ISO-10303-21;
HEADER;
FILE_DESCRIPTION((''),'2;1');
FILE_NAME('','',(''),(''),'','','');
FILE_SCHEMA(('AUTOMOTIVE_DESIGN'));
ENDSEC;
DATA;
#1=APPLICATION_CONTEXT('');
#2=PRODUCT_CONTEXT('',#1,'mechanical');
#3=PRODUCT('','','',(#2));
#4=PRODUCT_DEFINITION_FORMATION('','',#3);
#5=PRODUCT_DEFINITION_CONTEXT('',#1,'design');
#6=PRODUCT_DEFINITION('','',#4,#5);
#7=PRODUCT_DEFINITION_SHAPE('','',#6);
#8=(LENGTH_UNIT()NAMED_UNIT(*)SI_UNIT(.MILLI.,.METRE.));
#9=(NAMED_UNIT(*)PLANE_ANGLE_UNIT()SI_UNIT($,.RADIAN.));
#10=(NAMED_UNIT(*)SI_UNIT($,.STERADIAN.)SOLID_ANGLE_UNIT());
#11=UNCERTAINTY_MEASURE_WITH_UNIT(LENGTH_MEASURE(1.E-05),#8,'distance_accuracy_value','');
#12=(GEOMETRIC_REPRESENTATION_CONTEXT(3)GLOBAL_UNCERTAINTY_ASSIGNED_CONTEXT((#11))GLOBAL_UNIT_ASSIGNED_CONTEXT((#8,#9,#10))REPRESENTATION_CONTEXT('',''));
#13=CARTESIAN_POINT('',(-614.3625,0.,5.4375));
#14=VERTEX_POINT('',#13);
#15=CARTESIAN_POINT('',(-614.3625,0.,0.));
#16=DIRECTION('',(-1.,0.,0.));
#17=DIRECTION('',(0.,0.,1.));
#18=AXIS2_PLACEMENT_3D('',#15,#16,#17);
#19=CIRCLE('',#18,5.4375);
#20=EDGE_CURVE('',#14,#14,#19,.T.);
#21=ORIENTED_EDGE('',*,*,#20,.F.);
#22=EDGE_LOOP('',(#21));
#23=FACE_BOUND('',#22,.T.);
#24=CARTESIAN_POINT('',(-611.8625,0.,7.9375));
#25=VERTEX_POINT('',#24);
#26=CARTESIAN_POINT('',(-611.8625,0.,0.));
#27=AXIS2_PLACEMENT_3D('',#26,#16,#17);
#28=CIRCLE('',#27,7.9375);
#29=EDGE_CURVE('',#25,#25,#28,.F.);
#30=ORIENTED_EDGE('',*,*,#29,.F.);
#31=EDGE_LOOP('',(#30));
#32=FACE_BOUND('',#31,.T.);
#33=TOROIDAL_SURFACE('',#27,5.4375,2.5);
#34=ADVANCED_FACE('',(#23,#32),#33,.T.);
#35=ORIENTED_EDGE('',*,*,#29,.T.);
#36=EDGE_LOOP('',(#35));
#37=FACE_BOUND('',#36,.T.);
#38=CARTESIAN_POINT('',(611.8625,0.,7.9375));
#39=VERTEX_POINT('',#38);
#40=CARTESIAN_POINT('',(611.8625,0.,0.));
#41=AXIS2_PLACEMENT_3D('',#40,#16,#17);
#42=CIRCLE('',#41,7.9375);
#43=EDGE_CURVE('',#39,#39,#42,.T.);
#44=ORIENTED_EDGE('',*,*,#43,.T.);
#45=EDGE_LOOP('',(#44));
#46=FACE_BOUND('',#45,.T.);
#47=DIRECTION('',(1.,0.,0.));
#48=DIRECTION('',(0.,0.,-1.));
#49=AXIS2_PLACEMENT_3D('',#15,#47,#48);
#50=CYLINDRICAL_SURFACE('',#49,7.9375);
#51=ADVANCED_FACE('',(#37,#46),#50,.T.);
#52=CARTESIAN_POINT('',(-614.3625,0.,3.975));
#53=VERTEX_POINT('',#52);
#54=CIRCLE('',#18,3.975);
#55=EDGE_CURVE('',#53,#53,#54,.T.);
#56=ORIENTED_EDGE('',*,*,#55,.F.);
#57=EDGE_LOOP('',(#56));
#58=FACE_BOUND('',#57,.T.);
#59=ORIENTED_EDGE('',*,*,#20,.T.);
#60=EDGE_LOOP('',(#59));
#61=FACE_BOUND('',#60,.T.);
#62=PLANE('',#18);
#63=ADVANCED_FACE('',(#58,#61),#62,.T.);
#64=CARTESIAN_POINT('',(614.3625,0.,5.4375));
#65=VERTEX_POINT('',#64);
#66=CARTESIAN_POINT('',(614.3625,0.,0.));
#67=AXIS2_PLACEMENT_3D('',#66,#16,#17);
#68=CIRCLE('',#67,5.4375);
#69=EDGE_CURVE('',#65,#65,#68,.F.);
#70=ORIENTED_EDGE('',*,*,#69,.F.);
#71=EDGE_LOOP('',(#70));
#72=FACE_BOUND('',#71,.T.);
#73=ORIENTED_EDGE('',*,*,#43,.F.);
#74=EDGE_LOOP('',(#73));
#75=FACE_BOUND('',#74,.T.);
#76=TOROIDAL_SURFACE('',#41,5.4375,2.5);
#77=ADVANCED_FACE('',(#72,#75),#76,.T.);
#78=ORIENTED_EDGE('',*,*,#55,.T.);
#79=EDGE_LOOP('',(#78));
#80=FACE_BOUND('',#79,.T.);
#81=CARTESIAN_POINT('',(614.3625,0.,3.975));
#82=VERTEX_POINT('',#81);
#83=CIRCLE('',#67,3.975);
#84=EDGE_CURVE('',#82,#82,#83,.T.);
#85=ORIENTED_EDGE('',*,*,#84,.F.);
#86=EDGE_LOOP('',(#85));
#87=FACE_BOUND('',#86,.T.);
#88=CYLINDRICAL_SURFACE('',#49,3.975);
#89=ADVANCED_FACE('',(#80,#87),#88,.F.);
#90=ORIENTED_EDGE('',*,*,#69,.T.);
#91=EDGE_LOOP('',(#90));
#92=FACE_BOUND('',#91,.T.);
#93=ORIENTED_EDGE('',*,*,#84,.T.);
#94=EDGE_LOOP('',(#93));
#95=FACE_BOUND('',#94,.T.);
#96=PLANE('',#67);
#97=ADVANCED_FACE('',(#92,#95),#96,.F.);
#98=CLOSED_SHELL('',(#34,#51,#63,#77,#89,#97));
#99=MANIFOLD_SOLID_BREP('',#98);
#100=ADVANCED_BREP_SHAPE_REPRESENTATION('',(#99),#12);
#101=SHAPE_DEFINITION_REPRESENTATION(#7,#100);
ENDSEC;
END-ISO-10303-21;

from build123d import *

# Parameters (mm, degrees)
SKETCH_1_R        = 7.9375
SKETCH_1_R_2      = 3.975
EXTRUDE_1_DEPTH   = 614.3625
FILLET_1_R        = 2.5
MOVE_BODY_1_ANGLE = 90


with BuildPart() as part:
    # 스케치1 → 보스-돌출1 (new body, symmetric)
    with BuildSketch(Plane(origin=(0, 0, 0), x_dir=(1, 0, 0), z_dir=(0, 1, 0))):
        Circle(SKETCH_1_R)
        Circle(SKETCH_1_R_2, mode=Mode.SUBTRACT)
    extrude(amount=EXTRUDE_1_DEPTH, both=True)

    # 필렛1
    fillet_1_edges = [part.edges().sort_by_distance(p)[0] for p in [
        (-7.9375, -614.3625, 0),
        (-7.9375, 614.3625, 0),
    ]]
    fillet(fillet_1_edges, radius=FILLET_1_R)


with BuildPart() as part_1:
    # Move Body 1: moved
    add(part.part.rotate(Axis((0, 0, 0), (0, 0, 1)), MOVE_BODY_1_ANGLE))


solid = part_1.part
